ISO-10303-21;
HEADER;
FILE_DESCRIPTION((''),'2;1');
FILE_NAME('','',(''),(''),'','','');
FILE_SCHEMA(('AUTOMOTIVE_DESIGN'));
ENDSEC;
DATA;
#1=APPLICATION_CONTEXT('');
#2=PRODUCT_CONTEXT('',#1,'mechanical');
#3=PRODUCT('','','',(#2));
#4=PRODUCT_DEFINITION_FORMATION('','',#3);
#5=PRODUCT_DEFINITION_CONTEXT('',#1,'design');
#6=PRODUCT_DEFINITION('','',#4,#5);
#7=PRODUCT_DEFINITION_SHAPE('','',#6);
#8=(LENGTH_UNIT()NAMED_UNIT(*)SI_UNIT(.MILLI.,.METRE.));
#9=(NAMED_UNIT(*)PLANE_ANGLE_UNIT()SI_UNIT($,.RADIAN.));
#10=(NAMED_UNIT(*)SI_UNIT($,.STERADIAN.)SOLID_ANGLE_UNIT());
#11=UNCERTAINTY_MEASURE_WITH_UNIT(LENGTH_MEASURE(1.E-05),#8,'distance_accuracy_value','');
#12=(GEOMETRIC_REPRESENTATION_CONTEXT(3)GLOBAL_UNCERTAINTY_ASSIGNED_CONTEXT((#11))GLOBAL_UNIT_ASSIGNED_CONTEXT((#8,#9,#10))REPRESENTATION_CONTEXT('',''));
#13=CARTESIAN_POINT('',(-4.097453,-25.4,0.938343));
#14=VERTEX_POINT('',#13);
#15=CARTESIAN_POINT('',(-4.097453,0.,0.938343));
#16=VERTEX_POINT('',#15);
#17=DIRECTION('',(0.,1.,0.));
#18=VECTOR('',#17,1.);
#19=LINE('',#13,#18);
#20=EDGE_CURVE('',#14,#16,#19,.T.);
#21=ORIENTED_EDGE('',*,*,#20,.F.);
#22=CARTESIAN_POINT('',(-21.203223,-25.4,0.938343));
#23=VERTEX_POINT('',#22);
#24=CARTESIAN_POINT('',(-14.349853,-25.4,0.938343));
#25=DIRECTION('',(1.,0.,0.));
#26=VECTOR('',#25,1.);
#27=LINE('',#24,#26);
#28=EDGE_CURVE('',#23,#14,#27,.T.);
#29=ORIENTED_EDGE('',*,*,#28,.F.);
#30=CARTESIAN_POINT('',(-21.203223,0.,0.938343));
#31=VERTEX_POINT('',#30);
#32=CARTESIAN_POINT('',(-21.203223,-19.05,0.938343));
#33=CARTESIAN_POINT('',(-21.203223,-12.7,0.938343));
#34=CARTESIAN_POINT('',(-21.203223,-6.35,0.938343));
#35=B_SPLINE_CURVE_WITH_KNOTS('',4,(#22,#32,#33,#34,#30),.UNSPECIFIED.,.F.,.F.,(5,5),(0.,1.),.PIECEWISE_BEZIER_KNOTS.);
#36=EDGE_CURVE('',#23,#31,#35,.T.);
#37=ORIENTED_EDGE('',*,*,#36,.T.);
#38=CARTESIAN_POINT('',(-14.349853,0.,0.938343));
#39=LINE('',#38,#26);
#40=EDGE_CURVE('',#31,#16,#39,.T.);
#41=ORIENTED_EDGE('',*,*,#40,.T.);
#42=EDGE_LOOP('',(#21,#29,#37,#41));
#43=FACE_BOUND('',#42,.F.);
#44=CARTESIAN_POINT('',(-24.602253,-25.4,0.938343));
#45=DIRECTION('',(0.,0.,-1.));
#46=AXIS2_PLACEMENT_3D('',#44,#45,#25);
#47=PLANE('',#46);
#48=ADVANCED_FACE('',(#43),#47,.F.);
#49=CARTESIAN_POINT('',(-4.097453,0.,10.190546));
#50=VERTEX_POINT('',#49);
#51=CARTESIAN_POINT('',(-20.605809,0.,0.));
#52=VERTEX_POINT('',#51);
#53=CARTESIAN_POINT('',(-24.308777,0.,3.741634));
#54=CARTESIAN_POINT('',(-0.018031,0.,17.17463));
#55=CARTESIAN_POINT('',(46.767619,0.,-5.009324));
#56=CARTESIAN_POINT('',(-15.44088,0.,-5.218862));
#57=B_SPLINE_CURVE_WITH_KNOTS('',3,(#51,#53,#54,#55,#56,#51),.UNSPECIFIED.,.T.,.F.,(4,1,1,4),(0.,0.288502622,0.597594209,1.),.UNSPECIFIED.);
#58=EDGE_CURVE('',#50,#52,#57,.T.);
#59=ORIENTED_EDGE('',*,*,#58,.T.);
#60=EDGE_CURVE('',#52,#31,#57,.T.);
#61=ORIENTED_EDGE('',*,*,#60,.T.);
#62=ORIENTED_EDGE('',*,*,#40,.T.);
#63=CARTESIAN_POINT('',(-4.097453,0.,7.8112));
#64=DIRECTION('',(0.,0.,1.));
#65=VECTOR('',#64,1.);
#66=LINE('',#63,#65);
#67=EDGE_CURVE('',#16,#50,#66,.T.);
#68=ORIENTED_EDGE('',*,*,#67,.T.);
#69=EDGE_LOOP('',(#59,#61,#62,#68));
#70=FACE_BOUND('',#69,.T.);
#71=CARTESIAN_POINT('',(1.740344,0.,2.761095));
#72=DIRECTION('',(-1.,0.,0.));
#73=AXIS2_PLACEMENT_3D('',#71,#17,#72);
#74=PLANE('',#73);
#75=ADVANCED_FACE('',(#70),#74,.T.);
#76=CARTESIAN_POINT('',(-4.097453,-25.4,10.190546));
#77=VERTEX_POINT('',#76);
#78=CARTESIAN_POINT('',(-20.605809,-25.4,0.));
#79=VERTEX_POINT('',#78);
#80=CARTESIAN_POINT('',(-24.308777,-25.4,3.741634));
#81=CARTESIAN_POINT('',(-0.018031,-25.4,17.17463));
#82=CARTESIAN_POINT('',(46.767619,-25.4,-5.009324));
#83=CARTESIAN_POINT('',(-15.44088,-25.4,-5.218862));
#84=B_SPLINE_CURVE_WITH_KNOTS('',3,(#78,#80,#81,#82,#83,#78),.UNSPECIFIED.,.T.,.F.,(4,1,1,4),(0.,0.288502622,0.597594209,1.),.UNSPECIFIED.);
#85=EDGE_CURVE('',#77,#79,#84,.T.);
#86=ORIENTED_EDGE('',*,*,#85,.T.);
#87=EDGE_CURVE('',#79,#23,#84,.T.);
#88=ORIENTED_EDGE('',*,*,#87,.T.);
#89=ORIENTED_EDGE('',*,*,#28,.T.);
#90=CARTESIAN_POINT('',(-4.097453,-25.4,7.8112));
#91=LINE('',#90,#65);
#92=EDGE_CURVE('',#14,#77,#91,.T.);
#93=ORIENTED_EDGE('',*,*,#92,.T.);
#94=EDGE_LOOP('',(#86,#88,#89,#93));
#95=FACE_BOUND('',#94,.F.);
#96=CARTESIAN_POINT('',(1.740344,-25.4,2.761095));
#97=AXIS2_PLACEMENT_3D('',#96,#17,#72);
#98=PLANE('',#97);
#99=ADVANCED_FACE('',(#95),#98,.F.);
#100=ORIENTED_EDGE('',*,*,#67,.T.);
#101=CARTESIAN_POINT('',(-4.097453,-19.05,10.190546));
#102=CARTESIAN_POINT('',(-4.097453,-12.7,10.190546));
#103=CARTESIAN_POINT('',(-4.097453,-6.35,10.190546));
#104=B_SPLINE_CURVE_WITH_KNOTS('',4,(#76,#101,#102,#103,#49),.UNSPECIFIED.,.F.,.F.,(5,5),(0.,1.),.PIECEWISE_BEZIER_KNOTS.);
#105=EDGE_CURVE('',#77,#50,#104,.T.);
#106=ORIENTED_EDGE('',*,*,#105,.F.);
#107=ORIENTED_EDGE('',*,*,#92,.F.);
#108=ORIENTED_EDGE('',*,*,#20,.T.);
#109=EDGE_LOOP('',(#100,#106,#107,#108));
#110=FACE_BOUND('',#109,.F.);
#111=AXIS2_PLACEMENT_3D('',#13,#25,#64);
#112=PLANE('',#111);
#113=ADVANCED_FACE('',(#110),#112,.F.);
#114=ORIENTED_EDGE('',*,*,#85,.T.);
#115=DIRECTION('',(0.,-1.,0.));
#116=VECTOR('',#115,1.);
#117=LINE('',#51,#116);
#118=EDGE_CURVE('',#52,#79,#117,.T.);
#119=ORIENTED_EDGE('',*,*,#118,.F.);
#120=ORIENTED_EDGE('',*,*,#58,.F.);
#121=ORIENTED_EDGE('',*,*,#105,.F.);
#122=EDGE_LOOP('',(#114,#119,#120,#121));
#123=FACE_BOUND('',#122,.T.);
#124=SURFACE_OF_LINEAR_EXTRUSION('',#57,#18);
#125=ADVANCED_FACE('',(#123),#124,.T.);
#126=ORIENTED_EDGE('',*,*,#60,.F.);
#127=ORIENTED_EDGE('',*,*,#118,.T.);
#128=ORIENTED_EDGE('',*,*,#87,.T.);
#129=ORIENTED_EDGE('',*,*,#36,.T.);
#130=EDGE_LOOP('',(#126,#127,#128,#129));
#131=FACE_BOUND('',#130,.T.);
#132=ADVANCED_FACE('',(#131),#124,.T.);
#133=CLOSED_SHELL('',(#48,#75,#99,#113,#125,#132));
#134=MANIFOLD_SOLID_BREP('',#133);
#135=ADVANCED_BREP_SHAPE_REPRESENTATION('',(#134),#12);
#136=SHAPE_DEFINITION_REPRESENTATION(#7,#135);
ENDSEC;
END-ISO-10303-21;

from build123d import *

# Parameters (mm, degrees)
F1_DEPTH = 25.4
F2_W     = 20.5047996715
F2_H     = 13.7457135133
F3_DEPTH = 25.4


with BuildPart() as f1:
    # F0 (on Front) → F1 (new body)
    with BuildSketch(Plane.XZ):
        with BuildLine():
            add(Edge.make_bspline(
                [(-20.6058093333, 0), (-24.3087769362, 3.741634379), (-0.018030599, 17.1746298574), (46.7676191744, -5.0093239864), (-15.4408801688, -5.2188618966), (-20.6058093333, 0)],
                knots=[0, 0, 0, 0, 0.2885026218, 0.5975942095, 1, 1, 1, 1], degree=3))
        make_face()
    extrude(amount=F1_DEPTH)

    # F2 (on face) → F3 (cut)
    with BuildSketch(Plane.XZ.offset(25.4)):
        with Locations((-14.3498531543, 7.8112001065)):
            Rectangle(F2_W, F2_H)
    extrude(amount=-F3_DEPTH, mode=Mode.SUBTRACT)


solid = f1.part
